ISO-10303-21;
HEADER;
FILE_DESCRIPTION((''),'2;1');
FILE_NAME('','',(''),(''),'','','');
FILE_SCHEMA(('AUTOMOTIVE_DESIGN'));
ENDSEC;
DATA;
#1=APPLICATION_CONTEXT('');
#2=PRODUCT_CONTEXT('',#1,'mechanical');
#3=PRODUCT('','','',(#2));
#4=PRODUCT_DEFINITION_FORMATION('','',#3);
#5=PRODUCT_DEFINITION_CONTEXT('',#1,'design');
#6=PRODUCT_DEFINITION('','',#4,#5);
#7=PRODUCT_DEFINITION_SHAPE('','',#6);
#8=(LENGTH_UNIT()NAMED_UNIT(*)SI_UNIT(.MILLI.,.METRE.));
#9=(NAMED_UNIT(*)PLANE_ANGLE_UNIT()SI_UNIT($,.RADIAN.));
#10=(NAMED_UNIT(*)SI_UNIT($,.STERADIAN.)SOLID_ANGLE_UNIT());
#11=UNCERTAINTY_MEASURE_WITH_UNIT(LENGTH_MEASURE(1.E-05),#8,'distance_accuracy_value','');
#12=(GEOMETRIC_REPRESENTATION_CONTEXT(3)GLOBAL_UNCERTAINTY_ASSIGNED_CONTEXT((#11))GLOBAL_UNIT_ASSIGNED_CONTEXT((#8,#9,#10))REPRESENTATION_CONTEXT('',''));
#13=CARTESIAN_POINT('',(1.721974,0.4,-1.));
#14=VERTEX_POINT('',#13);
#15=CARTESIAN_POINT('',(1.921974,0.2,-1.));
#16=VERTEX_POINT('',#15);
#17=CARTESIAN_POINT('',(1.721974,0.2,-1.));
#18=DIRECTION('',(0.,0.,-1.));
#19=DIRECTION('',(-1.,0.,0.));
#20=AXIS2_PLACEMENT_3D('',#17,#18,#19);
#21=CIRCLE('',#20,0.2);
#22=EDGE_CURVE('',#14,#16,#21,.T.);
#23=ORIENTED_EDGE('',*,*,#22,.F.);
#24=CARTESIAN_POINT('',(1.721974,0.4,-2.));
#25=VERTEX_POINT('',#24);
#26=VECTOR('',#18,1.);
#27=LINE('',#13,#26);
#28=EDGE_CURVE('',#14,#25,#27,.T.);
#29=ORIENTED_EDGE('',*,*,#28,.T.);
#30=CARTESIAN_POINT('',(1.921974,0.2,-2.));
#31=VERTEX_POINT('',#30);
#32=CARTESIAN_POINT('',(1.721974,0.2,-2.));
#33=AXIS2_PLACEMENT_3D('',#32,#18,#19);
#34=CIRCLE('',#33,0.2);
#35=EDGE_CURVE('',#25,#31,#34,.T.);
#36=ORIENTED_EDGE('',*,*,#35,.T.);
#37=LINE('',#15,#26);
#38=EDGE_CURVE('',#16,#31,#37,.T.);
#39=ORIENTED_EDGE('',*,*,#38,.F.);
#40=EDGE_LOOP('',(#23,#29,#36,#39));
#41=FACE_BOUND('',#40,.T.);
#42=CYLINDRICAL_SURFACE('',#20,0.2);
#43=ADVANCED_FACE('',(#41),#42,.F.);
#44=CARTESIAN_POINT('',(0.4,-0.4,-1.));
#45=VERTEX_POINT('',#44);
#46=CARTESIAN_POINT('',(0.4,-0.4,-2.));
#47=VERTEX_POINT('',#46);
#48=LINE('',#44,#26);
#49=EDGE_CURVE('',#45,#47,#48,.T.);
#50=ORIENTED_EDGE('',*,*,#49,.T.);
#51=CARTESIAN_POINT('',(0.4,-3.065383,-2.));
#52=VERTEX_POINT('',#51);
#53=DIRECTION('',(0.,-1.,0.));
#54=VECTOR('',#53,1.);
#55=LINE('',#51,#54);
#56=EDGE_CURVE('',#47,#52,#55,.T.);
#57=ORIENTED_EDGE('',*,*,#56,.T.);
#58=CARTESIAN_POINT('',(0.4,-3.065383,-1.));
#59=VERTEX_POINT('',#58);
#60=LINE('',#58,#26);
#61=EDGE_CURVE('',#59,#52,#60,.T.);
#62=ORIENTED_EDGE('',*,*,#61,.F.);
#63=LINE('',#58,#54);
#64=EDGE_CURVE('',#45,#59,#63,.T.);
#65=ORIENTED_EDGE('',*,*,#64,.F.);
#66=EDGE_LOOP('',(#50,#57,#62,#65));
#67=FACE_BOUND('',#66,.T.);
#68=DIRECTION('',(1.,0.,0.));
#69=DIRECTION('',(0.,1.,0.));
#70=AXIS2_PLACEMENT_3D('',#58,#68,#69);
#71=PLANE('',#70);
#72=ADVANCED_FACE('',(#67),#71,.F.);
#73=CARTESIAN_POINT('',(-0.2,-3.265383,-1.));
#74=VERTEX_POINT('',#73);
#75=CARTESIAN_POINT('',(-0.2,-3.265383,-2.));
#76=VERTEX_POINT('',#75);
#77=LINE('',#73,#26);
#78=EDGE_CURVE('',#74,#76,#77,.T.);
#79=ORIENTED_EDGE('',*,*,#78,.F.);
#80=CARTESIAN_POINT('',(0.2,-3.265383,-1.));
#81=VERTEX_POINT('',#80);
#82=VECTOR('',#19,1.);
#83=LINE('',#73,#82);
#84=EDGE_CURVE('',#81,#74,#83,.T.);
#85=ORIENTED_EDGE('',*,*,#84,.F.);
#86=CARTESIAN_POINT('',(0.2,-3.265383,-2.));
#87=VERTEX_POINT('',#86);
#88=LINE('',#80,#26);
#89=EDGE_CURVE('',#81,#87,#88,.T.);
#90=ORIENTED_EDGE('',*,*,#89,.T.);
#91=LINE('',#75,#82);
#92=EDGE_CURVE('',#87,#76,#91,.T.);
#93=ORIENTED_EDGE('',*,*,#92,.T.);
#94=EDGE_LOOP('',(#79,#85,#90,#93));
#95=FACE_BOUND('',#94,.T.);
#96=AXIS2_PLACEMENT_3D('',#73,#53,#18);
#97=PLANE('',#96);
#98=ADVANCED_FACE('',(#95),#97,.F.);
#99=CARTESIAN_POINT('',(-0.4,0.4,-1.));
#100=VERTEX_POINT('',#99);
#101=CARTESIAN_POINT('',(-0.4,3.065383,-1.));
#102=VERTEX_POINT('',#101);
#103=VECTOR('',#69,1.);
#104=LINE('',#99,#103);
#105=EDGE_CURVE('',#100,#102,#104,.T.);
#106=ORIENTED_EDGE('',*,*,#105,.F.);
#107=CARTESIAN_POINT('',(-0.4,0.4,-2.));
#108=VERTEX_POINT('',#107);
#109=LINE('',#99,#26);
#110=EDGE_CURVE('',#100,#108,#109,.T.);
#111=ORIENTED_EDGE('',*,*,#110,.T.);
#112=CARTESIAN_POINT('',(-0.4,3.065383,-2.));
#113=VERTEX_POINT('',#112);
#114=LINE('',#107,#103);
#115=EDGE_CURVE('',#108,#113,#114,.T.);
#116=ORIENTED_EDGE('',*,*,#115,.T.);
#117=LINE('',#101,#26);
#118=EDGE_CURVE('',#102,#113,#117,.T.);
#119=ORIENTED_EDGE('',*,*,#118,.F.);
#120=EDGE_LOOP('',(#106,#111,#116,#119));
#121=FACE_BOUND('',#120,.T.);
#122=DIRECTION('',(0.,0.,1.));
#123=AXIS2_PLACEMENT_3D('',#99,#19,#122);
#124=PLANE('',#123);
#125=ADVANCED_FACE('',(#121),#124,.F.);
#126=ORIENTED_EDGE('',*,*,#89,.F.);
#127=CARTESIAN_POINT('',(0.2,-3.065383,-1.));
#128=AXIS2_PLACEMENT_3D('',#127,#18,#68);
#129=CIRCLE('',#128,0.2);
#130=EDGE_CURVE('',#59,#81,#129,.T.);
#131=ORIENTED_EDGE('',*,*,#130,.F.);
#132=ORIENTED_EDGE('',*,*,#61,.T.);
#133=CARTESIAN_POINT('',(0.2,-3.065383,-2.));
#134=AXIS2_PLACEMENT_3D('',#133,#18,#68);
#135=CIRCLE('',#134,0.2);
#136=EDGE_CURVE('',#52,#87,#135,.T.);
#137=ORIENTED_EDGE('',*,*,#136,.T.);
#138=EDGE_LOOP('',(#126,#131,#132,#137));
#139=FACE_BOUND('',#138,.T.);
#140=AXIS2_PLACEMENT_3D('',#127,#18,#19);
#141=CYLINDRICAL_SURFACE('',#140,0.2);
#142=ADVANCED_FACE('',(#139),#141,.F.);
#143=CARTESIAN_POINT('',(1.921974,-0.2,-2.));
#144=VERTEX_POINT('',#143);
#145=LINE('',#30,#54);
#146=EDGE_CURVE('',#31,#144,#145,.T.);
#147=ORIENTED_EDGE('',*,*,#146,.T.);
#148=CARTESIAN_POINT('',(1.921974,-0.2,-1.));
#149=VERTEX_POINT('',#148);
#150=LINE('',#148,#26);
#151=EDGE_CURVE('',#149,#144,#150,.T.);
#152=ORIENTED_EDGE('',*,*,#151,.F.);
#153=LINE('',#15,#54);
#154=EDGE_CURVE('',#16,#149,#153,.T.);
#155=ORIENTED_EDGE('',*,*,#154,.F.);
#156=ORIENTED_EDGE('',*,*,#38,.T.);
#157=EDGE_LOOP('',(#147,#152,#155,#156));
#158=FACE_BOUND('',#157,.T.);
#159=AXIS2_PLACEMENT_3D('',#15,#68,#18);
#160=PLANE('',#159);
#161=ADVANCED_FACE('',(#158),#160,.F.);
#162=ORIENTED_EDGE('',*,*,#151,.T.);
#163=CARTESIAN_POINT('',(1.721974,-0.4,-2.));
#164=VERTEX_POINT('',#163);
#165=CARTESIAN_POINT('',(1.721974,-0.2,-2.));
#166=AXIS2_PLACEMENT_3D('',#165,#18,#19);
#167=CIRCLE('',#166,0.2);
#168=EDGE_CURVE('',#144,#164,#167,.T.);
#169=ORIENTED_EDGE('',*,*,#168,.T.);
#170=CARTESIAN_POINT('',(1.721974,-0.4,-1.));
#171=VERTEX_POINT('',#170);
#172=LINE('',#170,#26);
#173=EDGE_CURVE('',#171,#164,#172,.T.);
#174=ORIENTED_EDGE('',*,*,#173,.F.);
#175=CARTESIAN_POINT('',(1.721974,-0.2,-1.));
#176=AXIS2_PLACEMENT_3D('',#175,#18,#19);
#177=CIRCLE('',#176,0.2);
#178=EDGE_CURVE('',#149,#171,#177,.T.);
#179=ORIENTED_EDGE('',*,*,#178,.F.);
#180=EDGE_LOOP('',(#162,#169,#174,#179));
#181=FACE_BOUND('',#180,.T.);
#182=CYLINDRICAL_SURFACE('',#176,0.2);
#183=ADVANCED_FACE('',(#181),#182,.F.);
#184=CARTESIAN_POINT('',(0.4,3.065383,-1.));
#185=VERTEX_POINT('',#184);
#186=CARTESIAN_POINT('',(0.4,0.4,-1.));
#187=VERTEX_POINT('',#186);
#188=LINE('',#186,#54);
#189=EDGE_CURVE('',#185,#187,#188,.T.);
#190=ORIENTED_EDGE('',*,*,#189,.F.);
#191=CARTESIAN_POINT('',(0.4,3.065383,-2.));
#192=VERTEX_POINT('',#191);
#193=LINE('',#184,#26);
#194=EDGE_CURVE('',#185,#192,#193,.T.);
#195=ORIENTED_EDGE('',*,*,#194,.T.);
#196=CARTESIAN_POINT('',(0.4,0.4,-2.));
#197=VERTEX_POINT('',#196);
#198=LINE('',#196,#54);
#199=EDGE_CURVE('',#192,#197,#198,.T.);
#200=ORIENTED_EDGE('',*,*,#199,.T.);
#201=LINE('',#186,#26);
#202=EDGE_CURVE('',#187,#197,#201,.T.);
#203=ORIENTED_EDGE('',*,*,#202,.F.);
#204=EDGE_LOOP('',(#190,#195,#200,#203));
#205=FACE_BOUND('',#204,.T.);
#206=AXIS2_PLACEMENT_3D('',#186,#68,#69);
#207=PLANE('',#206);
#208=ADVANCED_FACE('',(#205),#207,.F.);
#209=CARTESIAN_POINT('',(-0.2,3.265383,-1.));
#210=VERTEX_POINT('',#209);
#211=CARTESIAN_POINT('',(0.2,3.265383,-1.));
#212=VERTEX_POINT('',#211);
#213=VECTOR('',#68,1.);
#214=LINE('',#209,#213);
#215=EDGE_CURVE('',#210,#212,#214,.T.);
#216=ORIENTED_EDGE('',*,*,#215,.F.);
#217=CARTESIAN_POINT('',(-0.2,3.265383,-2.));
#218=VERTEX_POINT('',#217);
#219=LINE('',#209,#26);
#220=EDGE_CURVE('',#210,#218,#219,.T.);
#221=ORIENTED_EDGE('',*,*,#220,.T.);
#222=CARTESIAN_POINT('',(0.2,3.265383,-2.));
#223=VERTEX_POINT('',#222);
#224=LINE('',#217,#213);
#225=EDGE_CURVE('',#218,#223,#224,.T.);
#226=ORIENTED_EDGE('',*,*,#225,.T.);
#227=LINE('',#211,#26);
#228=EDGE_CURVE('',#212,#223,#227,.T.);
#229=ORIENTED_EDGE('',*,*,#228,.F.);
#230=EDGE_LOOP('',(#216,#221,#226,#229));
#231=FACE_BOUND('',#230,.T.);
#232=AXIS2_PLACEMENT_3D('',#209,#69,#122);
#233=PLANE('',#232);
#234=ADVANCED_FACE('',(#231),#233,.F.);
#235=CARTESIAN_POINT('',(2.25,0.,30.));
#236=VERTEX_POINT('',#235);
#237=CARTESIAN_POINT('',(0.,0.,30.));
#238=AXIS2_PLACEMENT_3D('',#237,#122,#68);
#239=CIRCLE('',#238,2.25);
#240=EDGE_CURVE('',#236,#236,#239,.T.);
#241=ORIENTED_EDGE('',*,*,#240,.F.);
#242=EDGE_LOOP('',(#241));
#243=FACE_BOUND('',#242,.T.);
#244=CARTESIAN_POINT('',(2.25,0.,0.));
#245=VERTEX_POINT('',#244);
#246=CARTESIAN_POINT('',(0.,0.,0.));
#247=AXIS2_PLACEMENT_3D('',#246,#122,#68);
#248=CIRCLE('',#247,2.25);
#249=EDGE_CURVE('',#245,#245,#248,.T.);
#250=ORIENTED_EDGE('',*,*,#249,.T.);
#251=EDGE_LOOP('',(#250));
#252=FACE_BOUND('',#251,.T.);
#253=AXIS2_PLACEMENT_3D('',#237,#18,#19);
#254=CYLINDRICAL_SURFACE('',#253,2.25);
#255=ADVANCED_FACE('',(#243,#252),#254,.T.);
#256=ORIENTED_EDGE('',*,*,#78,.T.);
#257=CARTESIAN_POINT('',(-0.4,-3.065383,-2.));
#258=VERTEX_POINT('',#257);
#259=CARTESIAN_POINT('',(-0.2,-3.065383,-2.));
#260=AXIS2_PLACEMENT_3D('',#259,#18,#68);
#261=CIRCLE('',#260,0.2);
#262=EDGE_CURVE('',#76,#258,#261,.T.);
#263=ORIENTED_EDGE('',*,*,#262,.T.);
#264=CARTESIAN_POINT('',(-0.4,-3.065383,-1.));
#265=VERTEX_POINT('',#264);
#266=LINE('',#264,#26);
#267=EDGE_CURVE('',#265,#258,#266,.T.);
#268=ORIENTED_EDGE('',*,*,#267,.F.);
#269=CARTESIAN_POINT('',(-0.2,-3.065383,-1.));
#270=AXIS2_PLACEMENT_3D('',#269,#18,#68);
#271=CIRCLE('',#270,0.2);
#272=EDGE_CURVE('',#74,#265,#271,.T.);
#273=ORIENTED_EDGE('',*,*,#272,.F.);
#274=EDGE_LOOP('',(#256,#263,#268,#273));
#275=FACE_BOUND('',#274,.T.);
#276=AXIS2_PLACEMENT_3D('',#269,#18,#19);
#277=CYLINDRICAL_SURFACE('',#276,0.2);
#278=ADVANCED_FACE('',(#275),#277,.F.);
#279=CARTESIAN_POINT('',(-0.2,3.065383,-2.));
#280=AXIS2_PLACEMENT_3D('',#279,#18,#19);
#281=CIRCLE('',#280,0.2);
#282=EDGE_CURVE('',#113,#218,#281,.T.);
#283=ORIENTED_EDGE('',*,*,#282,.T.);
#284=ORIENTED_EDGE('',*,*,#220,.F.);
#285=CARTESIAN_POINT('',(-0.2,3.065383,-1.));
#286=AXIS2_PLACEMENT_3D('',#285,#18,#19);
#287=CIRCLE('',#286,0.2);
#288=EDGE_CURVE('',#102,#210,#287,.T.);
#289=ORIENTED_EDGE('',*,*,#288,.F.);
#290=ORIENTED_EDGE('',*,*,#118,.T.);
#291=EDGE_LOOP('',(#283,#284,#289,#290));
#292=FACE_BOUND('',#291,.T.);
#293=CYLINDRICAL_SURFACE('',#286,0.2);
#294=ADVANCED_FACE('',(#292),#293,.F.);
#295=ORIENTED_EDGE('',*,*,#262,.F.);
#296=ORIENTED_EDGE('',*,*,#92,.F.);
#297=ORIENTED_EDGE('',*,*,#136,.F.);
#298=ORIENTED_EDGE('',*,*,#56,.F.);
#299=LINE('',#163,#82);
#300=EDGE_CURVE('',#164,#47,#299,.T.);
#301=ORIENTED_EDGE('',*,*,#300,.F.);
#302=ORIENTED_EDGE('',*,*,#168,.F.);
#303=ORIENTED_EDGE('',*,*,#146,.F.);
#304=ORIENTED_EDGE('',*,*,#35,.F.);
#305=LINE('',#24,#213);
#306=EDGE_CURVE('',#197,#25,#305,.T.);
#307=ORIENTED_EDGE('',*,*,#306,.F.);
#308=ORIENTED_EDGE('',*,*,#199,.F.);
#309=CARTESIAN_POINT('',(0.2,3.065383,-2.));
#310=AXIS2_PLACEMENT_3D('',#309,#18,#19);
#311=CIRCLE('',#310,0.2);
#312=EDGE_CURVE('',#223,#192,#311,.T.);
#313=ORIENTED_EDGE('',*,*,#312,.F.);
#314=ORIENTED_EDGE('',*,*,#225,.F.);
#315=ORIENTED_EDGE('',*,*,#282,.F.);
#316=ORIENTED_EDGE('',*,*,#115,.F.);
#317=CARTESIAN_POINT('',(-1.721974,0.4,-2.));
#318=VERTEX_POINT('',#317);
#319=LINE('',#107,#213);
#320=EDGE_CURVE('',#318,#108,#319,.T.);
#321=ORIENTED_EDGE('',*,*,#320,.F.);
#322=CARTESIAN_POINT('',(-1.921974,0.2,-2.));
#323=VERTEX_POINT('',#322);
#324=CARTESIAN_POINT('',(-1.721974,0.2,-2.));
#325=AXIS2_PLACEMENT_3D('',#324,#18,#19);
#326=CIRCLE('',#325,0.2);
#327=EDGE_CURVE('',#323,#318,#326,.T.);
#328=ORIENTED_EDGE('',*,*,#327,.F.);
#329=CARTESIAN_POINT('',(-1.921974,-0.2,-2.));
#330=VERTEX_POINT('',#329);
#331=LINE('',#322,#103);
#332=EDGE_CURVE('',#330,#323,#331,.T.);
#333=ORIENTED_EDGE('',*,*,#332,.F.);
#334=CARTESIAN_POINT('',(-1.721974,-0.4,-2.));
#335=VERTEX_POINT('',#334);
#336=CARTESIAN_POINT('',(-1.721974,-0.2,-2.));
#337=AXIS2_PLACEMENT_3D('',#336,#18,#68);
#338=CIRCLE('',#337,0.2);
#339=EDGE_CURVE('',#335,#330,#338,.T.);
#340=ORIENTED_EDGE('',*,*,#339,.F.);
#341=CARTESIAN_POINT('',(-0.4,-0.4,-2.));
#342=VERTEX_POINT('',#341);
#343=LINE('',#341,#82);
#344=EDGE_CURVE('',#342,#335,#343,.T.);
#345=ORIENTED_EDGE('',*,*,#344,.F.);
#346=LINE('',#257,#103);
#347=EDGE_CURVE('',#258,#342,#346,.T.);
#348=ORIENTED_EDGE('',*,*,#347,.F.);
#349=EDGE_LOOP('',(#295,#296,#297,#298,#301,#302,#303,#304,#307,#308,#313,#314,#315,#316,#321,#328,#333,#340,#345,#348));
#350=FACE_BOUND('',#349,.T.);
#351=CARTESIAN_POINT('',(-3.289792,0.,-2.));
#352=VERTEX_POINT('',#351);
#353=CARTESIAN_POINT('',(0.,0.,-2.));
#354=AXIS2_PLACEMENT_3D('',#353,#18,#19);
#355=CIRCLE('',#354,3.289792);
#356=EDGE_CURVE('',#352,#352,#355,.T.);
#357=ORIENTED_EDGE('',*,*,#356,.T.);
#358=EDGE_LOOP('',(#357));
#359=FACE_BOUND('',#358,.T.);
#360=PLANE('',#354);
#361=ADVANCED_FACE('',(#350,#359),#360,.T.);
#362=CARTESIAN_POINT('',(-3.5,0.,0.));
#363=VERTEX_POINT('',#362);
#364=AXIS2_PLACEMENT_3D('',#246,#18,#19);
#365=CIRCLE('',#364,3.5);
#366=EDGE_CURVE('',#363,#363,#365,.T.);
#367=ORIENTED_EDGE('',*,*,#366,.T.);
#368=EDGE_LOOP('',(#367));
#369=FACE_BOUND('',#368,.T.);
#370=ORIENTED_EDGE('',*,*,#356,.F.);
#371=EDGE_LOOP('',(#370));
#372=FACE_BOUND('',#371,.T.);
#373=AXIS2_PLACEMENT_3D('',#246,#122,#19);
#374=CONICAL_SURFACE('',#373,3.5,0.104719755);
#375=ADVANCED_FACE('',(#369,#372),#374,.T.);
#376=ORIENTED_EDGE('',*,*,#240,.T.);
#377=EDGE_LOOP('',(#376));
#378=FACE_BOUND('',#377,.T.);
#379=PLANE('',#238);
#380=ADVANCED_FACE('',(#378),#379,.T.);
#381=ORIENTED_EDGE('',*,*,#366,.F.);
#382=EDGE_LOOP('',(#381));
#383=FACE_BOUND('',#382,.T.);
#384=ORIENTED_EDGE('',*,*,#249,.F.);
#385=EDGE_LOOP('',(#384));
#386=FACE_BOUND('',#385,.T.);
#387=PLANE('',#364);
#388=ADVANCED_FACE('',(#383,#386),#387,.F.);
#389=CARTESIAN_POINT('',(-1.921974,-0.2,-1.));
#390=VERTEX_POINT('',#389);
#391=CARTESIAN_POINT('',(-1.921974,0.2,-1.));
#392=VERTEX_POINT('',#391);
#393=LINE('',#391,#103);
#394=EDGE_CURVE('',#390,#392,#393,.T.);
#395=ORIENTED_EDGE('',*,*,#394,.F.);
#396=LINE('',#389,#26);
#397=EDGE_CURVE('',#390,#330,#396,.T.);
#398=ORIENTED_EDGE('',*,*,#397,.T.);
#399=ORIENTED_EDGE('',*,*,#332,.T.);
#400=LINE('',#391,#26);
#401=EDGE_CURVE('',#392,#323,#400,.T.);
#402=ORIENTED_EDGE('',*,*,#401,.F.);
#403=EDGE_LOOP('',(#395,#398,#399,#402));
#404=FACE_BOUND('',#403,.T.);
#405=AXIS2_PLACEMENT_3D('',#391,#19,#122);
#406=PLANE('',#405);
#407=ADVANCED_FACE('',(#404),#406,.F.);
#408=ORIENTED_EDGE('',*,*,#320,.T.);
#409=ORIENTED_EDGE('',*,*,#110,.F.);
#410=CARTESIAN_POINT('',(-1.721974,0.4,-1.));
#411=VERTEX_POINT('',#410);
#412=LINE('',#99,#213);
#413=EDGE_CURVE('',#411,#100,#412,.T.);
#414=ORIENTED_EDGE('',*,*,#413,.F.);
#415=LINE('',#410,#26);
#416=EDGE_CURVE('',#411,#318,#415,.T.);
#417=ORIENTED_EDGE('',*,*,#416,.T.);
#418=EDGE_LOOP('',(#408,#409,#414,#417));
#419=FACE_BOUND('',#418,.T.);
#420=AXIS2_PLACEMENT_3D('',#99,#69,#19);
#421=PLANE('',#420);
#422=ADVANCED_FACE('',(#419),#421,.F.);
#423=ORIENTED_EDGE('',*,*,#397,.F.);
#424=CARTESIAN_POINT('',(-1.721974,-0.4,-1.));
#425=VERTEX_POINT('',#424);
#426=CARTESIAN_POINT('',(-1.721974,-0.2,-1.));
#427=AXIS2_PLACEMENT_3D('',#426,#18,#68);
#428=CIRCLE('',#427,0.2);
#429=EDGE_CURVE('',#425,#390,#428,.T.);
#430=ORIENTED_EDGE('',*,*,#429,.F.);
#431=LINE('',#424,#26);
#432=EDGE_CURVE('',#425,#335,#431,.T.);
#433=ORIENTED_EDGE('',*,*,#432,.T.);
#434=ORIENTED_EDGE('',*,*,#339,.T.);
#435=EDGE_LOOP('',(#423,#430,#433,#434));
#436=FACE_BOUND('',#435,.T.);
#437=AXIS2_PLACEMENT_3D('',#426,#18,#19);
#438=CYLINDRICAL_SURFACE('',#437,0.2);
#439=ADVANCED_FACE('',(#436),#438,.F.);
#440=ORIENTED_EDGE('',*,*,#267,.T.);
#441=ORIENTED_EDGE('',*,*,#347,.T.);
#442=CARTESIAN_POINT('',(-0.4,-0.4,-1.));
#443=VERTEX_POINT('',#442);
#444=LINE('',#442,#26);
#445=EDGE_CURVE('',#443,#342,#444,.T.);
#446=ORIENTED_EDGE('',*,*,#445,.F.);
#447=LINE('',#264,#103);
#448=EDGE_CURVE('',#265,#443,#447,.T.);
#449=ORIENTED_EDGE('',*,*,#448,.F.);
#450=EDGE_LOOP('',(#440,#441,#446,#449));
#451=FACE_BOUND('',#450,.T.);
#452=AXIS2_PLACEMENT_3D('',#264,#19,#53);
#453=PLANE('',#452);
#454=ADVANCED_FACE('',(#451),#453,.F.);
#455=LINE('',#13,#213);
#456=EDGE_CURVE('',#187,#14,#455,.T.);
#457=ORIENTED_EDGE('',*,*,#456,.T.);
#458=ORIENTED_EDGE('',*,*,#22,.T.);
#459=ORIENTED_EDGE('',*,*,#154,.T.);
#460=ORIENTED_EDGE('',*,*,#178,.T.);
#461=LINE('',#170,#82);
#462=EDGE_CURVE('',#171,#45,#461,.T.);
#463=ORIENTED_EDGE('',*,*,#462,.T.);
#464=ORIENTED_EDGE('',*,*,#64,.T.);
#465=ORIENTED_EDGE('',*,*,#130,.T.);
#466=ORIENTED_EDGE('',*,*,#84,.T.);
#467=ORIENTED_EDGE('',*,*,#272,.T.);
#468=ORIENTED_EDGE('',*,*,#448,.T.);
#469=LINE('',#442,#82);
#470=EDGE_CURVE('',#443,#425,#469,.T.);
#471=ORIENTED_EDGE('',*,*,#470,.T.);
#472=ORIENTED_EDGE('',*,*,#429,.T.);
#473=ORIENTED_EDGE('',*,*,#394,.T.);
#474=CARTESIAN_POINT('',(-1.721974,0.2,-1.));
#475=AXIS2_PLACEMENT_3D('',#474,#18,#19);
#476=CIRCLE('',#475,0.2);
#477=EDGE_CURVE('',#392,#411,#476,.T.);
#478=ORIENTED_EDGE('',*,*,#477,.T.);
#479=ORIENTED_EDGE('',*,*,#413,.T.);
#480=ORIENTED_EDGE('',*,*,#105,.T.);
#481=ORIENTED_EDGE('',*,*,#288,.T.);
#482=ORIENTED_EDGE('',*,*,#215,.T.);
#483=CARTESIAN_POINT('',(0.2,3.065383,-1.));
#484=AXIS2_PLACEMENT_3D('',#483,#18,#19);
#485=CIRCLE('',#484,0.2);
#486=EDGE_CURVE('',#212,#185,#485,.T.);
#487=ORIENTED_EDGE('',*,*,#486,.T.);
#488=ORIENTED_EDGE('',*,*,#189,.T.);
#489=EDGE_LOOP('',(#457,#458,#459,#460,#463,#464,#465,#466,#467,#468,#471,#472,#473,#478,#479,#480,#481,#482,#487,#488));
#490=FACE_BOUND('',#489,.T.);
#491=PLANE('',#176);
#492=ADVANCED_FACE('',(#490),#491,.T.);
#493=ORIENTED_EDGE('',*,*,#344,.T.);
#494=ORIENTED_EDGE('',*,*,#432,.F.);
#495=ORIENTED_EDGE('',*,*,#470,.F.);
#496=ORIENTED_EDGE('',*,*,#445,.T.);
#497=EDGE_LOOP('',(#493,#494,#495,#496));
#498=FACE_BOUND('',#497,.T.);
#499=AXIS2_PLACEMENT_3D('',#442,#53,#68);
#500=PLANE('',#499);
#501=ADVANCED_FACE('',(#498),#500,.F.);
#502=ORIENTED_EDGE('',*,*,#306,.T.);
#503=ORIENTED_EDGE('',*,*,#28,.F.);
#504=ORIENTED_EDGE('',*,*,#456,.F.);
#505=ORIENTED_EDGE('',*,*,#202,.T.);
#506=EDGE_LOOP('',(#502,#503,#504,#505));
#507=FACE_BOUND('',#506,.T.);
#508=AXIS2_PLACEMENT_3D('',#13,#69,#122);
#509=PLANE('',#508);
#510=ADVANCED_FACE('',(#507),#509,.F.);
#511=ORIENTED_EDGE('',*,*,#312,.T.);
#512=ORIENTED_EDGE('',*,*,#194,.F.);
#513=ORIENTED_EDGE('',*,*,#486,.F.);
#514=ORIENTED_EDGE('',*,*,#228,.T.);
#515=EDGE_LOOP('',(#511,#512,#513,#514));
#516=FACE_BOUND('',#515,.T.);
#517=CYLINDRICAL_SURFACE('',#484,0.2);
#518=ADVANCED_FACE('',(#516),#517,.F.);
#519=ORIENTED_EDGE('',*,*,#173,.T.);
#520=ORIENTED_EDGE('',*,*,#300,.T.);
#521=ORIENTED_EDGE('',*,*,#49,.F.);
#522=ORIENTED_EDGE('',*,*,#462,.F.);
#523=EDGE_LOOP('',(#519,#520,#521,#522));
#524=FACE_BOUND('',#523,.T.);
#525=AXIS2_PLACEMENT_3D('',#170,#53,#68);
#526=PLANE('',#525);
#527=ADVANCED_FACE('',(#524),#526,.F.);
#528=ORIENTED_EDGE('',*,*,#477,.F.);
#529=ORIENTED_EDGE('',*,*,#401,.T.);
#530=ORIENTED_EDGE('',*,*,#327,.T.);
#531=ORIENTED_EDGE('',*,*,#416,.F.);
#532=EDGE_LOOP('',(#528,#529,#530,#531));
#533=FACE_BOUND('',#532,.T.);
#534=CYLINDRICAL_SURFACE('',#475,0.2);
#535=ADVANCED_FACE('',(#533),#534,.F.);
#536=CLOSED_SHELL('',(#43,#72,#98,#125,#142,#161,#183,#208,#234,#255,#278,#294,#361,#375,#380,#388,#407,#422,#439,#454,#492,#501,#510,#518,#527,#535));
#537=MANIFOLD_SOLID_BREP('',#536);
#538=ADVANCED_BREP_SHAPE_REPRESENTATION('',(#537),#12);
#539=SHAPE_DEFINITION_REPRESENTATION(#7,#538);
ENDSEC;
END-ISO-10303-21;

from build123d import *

# Parameters (mm, degrees)
SKETCH1_R           = 2.25
BOSS_EXTRUDE1_DEPTH = 30
SKETCH2_R           = 3.5
BOSS_EXTRUDE2_DEPTH = 2
BOSS_EXTRUDE2_TAPER = 6
CUT_EXTRUDE1_DEPTH  = 1


with BuildPart() as part:
    # Sketch1 → Boss-Extrude1 (new body)
    with BuildSketch(Plane.XY):
        Circle(SKETCH1_R)
    extrude(amount=BOSS_EXTRUDE1_DEPTH)

    # Sketch2 → Boss-Extrude2 (add)
    with BuildSketch(Plane(origin=(0, 0, 0), x_dir=(-1, 0, 0), z_dir=(0, 0, -1))):
        Circle(SKETCH2_R)
    extrude(amount=BOSS_EXTRUDE2_DEPTH, taper=BOSS_EXTRUDE2_TAPER)

    # Sketch3 → Cut-Extrude1 (cut)
    with BuildSketch(Plane(origin=(0, 0, -2), x_dir=(-1, 0, 0), z_dir=(0, 0, -1))):
        with BuildLine():
            Line((-0.4, 0.4), (-0.4, 3.065383332))
            ThreePointArc((-0.4, 3.065383332), (-0.341421356, 3.206804689), (-0.2, 3.265383332))
            Line((-0.2, 3.265383332), (0.2, 3.265383332))
            ThreePointArc((0.2, 3.265383332), (0.341421356, 3.206804689), (0.4, 3.065383332))
            Line((0.4, 3.065383332), (0.4, 0.4))
            Line((0.4, 0.4), (1.721973592, 0.4))
            ThreePointArc((1.721973592, 0.4), (1.863394949, 0.341421356), (1.921973592, 0.2))
            Line((1.921973592, 0.2), (1.921973592, -0.2))
            ThreePointArc((1.921973592, -0.2), (1.863394949, -0.341421356), (1.721973592, -0.4))
            Line((1.721973592, -0.4), (0.4, -0.4))
            Line((0.4, -0.4), (0.4, -3.065383332))
            ThreePointArc((0.4, -3.065383332), (0.341421356, -3.206804689), (0.2, -3.265383332))
            Line((0.2, -3.265383332), (-0.2, -3.265383332))
            ThreePointArc((-0.2, -3.265383332), (-0.341421356, -3.206804689), (-0.4, -3.065383332))
            Line((-0.4, -3.065383332), (-0.4, -0.4))
            Line((-0.4, -0.4), (-1.721973592, -0.4))
            ThreePointArc((-1.721973592, -0.4), (-1.863394949, -0.341421356), (-1.921973592, -0.2))
            Line((-1.921973592, -0.2), (-1.921973592, 0.2))
            ThreePointArc((-1.921973592, 0.2), (-1.863394949, 0.341421356), (-1.721973592, 0.4))
            Line((-1.721973592, 0.4), (-0.4, 0.4))
        make_face()
    extrude(amount=-CUT_EXTRUDE1_DEPTH, mode=Mode.SUBTRACT)


solid = part.part
